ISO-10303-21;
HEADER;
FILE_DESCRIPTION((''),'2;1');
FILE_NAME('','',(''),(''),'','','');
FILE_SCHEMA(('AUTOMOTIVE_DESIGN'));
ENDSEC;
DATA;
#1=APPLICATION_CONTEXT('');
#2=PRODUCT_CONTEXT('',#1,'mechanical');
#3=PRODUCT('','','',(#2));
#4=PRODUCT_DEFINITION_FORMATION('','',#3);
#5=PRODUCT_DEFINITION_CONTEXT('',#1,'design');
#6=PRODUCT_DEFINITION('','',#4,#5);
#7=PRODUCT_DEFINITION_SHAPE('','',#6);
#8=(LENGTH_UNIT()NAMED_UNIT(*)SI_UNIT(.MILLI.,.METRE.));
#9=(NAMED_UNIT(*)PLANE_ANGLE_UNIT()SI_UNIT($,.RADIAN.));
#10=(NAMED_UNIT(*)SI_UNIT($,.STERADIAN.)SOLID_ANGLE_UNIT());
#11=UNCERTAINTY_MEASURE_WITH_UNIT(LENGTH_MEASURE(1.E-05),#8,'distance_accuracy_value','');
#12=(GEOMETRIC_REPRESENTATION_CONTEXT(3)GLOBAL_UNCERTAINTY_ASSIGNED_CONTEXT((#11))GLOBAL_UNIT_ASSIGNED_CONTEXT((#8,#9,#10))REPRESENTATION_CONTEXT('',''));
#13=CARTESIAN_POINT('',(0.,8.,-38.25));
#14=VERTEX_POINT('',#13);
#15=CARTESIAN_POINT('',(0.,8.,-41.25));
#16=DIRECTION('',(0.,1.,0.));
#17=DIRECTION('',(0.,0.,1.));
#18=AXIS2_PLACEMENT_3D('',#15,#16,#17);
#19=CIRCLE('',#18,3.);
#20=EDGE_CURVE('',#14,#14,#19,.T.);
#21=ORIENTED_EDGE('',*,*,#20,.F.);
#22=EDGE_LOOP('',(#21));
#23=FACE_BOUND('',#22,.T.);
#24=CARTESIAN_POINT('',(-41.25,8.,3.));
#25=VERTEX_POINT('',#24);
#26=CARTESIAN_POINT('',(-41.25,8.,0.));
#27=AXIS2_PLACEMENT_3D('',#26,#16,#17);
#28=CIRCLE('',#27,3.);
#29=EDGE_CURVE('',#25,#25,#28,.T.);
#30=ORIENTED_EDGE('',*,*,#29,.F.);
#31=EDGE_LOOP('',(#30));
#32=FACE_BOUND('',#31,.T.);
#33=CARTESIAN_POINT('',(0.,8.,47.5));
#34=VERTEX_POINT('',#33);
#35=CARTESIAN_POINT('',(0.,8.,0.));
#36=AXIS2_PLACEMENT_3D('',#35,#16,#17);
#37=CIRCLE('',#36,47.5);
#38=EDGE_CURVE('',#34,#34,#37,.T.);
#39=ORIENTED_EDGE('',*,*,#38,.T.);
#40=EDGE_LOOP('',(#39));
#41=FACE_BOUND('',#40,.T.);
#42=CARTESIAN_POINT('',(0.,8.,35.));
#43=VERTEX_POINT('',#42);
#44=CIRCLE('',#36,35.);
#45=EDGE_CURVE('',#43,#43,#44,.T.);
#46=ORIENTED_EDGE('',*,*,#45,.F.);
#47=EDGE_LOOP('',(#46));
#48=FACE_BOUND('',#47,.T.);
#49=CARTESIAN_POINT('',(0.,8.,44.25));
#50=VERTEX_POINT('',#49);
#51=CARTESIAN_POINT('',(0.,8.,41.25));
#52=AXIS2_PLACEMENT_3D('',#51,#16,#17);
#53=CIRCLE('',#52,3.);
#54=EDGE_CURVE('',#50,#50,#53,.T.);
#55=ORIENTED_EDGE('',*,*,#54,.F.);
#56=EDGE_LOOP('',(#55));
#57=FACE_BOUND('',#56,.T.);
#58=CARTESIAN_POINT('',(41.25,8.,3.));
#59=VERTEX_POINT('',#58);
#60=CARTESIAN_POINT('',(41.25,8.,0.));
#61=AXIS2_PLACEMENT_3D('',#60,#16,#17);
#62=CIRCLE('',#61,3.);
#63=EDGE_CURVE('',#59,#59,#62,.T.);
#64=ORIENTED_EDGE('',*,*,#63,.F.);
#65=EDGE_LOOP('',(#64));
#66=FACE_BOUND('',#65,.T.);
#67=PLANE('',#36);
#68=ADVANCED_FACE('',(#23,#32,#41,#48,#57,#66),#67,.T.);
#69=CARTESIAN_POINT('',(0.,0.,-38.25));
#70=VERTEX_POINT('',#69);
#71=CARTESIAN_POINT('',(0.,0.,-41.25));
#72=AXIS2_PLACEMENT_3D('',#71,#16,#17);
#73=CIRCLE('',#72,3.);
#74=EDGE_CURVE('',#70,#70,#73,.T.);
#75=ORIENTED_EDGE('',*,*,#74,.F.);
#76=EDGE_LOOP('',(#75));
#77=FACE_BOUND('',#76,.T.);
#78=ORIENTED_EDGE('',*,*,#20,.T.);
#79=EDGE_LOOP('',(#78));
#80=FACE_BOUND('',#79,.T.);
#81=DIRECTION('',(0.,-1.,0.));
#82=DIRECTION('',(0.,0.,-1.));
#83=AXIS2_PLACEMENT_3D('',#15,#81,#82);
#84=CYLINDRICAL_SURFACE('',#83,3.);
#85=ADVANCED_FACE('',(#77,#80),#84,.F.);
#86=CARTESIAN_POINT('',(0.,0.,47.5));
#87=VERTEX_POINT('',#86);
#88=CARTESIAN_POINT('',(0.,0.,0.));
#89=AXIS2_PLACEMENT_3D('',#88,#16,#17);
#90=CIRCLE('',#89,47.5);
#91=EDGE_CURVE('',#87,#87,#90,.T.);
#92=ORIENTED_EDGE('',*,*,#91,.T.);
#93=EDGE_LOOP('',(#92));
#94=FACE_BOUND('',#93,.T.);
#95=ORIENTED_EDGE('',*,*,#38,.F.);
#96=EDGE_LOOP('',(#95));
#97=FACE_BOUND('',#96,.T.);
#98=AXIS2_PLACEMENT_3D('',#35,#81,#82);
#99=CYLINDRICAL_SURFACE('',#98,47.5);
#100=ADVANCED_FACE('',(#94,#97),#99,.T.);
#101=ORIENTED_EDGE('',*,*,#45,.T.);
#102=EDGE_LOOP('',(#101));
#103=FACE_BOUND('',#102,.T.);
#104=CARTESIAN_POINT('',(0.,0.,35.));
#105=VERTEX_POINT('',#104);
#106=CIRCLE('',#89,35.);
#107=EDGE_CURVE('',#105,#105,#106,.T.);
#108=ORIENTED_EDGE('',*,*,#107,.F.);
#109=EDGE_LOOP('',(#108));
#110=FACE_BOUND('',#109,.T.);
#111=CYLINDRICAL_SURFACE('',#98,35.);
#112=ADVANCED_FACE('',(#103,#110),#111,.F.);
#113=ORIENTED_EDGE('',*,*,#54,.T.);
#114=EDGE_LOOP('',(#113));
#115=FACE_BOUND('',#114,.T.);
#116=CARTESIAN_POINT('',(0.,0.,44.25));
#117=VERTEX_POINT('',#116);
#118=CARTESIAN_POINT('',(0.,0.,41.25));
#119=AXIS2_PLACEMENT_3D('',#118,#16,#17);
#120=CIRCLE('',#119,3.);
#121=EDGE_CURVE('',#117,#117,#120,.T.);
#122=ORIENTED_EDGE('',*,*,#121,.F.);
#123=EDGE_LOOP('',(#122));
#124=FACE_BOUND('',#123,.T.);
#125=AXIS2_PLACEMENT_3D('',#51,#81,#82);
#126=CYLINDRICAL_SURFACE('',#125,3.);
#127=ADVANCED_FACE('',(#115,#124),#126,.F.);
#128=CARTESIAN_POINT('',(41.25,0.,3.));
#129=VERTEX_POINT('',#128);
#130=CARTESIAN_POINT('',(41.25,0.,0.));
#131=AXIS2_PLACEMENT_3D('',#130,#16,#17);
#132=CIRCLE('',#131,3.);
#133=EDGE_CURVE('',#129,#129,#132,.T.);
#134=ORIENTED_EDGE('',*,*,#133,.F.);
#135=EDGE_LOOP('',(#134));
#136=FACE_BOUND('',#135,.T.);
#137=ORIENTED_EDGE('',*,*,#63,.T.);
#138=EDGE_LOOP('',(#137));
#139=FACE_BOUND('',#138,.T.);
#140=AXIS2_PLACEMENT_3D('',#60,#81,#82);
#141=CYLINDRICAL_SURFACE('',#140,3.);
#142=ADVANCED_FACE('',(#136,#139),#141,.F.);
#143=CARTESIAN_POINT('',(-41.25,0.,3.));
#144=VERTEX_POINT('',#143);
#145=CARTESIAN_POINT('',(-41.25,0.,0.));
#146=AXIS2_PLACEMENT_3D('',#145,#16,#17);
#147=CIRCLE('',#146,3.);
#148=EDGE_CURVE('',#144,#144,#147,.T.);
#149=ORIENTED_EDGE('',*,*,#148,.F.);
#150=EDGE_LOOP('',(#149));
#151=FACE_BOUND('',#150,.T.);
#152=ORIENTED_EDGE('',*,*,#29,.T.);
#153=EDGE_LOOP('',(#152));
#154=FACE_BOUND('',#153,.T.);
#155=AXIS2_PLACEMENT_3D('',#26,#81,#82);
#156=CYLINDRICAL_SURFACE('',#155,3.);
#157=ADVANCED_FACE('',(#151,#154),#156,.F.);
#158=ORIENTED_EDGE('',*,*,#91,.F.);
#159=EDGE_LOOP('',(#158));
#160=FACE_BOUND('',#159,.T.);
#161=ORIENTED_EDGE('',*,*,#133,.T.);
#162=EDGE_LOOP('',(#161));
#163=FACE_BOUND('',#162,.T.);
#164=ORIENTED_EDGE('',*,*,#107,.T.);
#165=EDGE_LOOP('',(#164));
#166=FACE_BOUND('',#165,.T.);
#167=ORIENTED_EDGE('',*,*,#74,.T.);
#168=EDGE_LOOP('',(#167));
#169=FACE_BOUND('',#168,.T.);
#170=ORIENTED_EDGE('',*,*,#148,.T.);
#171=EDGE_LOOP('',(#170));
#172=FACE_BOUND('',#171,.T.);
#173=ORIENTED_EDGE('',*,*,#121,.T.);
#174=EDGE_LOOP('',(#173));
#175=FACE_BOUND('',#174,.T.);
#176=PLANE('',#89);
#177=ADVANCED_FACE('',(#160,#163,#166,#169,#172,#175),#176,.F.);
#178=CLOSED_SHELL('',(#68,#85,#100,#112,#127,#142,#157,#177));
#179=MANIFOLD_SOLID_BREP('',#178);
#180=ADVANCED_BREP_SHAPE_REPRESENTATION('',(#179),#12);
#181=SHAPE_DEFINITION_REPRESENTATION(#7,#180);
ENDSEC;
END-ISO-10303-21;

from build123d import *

# Parameters (mm, degrees)
SKETCH_1_R      = 47.5
SKETCH_1_R_2    = 35
SKETCH_1_R_3    = 3
EXTRUDE_1_DEPTH = 8


with BuildPart() as part:
    # 草图1 → 凸台-拉伸1 (new body)
    with BuildSketch(Plane(origin=(0, 0, 0), x_dir=(1, 0, 0), z_dir=(0, 1, 0))):
        Circle(SKETCH_1_R)
        Circle(SKETCH_1_R_2, mode=Mode.SUBTRACT)
        with Locations((41.25, 0)):
            Circle(SKETCH_1_R_3, mode=Mode.SUBTRACT)
        with Locations((0, -41.25)):
            Circle(SKETCH_1_R_3, mode=Mode.SUBTRACT)
        with Locations((-41.25, 0)):
            Circle(SKETCH_1_R_3, mode=Mode.SUBTRACT)
        with Locations((0, 41.25)):
            Circle(SKETCH_1_R_3, mode=Mode.SUBTRACT)
    extrude(amount=EXTRUDE_1_DEPTH)


solid = part.part
